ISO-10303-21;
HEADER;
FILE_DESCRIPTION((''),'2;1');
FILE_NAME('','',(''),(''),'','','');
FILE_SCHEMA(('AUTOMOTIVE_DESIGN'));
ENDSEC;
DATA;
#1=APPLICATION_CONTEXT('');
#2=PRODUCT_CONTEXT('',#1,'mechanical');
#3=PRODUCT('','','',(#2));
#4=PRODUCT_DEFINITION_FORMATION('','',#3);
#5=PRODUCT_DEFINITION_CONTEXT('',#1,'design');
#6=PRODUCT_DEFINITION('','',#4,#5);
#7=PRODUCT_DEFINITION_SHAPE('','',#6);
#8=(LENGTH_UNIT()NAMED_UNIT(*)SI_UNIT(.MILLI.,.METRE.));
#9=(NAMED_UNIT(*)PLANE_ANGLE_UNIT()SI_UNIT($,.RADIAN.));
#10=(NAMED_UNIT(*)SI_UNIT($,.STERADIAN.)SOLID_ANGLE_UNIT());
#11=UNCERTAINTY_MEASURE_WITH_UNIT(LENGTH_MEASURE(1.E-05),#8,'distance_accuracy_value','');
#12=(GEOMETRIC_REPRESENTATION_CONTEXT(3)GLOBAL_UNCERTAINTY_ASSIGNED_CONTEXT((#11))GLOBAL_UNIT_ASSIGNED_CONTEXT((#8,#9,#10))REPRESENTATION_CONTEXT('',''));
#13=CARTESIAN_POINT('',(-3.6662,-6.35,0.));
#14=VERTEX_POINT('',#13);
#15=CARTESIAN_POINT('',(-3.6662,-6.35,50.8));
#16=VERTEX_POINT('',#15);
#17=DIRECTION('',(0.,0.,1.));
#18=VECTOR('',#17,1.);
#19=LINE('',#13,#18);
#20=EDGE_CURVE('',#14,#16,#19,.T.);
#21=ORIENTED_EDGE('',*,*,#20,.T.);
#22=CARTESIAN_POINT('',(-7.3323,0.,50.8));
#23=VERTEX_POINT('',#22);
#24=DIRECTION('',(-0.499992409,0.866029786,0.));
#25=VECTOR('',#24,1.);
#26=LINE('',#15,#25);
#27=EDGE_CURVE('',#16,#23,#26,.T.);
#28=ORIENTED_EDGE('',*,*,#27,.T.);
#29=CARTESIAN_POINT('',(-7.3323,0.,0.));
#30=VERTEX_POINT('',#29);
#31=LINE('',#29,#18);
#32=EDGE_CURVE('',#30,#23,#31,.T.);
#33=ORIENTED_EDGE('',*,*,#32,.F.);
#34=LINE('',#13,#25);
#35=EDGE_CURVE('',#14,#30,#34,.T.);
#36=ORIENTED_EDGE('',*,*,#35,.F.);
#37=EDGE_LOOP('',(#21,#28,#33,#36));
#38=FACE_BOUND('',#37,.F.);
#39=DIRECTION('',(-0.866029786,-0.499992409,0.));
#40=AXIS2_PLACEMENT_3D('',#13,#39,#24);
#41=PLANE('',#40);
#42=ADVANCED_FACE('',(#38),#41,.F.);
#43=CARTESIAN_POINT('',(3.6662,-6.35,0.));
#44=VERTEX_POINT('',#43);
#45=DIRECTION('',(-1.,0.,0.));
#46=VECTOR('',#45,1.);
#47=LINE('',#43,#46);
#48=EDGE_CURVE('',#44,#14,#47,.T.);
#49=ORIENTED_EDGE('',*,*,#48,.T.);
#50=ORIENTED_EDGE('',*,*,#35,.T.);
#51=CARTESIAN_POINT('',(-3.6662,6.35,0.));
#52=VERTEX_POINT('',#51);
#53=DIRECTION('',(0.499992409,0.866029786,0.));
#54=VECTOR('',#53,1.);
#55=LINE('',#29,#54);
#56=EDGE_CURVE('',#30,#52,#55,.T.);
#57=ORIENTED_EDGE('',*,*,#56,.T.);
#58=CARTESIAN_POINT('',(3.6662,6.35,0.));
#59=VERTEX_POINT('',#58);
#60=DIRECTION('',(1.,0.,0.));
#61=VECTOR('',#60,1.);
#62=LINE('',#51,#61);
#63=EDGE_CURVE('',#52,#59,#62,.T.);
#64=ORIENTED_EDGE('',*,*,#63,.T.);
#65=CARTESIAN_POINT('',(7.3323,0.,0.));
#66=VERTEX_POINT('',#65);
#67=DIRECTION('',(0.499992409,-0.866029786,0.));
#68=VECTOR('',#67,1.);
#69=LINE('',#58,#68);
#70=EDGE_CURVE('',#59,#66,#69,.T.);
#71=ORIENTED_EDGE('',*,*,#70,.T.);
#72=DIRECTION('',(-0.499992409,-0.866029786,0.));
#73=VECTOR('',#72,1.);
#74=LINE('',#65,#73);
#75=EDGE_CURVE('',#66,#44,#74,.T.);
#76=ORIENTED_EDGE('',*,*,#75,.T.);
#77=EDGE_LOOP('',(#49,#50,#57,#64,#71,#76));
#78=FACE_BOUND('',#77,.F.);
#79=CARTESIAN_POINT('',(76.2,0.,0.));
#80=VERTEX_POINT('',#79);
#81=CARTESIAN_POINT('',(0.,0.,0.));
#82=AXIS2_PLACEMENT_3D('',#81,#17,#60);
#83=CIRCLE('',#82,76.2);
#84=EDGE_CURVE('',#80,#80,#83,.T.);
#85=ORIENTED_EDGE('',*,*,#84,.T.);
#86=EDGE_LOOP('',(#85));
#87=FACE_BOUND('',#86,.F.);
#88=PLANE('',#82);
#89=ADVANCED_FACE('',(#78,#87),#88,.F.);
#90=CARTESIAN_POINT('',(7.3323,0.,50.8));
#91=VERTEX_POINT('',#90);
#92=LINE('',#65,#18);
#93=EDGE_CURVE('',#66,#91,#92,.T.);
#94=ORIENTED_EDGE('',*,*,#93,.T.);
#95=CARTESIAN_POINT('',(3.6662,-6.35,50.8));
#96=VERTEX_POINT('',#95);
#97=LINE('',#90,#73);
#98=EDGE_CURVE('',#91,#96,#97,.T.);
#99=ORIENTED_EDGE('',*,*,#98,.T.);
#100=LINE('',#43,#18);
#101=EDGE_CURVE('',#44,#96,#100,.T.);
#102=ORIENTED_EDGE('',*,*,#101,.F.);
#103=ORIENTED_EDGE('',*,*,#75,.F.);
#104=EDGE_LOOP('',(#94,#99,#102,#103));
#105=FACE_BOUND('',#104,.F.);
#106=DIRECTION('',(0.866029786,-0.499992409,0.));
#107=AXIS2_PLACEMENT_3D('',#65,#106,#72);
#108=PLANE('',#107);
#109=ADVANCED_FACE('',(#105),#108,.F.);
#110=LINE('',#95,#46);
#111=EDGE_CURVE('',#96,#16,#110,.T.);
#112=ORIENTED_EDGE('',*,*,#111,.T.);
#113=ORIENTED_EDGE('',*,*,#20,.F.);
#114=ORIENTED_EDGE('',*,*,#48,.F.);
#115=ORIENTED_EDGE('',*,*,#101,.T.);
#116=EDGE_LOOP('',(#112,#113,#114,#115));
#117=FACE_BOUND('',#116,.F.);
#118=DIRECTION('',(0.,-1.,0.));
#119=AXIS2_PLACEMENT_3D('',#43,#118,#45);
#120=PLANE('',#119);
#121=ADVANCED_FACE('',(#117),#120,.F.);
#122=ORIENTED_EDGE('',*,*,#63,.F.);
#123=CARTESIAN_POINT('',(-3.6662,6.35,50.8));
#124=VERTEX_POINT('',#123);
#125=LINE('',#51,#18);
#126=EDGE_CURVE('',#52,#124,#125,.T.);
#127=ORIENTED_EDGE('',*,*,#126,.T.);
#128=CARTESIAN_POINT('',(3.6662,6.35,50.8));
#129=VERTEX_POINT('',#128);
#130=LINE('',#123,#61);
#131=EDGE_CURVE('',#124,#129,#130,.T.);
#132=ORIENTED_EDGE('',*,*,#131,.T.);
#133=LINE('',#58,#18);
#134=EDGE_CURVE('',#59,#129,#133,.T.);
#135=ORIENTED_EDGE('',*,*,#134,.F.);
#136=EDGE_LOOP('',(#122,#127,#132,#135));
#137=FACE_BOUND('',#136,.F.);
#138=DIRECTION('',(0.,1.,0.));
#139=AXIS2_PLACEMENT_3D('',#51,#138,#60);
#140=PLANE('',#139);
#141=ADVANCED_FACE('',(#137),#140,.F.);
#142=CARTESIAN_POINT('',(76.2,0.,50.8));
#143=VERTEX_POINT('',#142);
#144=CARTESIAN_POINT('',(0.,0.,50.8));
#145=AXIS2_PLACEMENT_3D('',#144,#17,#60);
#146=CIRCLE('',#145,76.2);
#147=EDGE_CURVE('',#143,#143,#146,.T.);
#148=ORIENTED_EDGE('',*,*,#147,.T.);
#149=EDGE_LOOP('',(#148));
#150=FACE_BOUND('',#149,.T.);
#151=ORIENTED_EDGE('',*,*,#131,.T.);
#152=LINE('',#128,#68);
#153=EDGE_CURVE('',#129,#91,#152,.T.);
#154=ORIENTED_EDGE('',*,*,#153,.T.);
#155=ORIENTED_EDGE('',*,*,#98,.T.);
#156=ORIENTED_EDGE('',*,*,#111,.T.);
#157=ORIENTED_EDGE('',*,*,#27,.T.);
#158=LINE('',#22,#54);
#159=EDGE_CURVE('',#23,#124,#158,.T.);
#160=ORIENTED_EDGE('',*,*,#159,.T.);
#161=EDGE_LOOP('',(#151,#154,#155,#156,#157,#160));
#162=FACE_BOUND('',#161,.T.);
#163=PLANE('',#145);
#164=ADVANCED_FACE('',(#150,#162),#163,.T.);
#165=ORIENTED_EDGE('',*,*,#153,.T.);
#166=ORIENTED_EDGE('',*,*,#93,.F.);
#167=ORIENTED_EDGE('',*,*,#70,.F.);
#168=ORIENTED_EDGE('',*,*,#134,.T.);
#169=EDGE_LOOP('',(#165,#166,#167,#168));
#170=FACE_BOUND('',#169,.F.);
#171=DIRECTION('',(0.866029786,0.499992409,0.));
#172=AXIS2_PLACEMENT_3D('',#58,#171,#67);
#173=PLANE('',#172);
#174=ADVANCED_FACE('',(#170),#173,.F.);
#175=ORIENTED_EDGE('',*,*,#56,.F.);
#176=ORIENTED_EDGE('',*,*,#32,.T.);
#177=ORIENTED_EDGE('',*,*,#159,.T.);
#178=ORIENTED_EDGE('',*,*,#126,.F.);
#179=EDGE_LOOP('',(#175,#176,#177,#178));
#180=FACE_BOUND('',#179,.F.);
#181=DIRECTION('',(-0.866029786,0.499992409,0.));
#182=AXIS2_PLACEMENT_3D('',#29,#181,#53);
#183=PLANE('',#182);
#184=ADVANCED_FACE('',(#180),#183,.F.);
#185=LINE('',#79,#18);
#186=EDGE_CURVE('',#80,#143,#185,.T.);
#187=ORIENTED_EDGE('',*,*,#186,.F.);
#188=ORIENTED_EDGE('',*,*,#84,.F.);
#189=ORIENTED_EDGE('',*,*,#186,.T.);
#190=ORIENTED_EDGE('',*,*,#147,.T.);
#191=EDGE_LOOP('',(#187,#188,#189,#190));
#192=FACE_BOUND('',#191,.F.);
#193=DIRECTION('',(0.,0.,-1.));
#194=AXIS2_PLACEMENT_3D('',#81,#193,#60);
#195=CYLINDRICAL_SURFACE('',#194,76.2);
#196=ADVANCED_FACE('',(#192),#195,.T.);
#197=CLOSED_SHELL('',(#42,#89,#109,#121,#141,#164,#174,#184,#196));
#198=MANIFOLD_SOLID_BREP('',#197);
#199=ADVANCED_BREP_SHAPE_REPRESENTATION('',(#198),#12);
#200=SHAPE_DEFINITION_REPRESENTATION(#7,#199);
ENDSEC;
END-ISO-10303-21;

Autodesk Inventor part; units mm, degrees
ref_plane "YZ Plane" through (0, 0, 0) normal (1, 0, 0) x (0, 1, 0)
ref_plane "XZ Plane" through (0, 0, 0) normal (0, 1, 0) x (-1, 0, 0)
ref_plane "XY Plane" through (0, 0, 0) normal (0, 0, 1) x (1, 0, 0)
sketch "Sketch1" plane through (0, 0, 0) normal (0, 0, 1) x (1, 0, 0)
  circle A0 centre (0, 0) radius 76.2
  line L0 (-3.6662, 6.35) -> (3.6662, 6.35)
  line L1 (3.6662, 6.35) -> (7.3323, 0)
  line L2 (7.3323, 0) -> (3.6662, -6.35)
  line L3 (3.6662, -6.35) -> (-3.6662, -6.35)
  line L4 (-3.6662, -6.35) -> (-7.3323, 0)
  line L5 (-7.3323, 0) -> (-3.6662, 6.35)
  dimension "d0" = 152.4
  dimension "d3" = 12.7
extrude "Extrusion1" add sketch "Sketch1" along normal blind 50.8
properties part number "Temp Wheels"
